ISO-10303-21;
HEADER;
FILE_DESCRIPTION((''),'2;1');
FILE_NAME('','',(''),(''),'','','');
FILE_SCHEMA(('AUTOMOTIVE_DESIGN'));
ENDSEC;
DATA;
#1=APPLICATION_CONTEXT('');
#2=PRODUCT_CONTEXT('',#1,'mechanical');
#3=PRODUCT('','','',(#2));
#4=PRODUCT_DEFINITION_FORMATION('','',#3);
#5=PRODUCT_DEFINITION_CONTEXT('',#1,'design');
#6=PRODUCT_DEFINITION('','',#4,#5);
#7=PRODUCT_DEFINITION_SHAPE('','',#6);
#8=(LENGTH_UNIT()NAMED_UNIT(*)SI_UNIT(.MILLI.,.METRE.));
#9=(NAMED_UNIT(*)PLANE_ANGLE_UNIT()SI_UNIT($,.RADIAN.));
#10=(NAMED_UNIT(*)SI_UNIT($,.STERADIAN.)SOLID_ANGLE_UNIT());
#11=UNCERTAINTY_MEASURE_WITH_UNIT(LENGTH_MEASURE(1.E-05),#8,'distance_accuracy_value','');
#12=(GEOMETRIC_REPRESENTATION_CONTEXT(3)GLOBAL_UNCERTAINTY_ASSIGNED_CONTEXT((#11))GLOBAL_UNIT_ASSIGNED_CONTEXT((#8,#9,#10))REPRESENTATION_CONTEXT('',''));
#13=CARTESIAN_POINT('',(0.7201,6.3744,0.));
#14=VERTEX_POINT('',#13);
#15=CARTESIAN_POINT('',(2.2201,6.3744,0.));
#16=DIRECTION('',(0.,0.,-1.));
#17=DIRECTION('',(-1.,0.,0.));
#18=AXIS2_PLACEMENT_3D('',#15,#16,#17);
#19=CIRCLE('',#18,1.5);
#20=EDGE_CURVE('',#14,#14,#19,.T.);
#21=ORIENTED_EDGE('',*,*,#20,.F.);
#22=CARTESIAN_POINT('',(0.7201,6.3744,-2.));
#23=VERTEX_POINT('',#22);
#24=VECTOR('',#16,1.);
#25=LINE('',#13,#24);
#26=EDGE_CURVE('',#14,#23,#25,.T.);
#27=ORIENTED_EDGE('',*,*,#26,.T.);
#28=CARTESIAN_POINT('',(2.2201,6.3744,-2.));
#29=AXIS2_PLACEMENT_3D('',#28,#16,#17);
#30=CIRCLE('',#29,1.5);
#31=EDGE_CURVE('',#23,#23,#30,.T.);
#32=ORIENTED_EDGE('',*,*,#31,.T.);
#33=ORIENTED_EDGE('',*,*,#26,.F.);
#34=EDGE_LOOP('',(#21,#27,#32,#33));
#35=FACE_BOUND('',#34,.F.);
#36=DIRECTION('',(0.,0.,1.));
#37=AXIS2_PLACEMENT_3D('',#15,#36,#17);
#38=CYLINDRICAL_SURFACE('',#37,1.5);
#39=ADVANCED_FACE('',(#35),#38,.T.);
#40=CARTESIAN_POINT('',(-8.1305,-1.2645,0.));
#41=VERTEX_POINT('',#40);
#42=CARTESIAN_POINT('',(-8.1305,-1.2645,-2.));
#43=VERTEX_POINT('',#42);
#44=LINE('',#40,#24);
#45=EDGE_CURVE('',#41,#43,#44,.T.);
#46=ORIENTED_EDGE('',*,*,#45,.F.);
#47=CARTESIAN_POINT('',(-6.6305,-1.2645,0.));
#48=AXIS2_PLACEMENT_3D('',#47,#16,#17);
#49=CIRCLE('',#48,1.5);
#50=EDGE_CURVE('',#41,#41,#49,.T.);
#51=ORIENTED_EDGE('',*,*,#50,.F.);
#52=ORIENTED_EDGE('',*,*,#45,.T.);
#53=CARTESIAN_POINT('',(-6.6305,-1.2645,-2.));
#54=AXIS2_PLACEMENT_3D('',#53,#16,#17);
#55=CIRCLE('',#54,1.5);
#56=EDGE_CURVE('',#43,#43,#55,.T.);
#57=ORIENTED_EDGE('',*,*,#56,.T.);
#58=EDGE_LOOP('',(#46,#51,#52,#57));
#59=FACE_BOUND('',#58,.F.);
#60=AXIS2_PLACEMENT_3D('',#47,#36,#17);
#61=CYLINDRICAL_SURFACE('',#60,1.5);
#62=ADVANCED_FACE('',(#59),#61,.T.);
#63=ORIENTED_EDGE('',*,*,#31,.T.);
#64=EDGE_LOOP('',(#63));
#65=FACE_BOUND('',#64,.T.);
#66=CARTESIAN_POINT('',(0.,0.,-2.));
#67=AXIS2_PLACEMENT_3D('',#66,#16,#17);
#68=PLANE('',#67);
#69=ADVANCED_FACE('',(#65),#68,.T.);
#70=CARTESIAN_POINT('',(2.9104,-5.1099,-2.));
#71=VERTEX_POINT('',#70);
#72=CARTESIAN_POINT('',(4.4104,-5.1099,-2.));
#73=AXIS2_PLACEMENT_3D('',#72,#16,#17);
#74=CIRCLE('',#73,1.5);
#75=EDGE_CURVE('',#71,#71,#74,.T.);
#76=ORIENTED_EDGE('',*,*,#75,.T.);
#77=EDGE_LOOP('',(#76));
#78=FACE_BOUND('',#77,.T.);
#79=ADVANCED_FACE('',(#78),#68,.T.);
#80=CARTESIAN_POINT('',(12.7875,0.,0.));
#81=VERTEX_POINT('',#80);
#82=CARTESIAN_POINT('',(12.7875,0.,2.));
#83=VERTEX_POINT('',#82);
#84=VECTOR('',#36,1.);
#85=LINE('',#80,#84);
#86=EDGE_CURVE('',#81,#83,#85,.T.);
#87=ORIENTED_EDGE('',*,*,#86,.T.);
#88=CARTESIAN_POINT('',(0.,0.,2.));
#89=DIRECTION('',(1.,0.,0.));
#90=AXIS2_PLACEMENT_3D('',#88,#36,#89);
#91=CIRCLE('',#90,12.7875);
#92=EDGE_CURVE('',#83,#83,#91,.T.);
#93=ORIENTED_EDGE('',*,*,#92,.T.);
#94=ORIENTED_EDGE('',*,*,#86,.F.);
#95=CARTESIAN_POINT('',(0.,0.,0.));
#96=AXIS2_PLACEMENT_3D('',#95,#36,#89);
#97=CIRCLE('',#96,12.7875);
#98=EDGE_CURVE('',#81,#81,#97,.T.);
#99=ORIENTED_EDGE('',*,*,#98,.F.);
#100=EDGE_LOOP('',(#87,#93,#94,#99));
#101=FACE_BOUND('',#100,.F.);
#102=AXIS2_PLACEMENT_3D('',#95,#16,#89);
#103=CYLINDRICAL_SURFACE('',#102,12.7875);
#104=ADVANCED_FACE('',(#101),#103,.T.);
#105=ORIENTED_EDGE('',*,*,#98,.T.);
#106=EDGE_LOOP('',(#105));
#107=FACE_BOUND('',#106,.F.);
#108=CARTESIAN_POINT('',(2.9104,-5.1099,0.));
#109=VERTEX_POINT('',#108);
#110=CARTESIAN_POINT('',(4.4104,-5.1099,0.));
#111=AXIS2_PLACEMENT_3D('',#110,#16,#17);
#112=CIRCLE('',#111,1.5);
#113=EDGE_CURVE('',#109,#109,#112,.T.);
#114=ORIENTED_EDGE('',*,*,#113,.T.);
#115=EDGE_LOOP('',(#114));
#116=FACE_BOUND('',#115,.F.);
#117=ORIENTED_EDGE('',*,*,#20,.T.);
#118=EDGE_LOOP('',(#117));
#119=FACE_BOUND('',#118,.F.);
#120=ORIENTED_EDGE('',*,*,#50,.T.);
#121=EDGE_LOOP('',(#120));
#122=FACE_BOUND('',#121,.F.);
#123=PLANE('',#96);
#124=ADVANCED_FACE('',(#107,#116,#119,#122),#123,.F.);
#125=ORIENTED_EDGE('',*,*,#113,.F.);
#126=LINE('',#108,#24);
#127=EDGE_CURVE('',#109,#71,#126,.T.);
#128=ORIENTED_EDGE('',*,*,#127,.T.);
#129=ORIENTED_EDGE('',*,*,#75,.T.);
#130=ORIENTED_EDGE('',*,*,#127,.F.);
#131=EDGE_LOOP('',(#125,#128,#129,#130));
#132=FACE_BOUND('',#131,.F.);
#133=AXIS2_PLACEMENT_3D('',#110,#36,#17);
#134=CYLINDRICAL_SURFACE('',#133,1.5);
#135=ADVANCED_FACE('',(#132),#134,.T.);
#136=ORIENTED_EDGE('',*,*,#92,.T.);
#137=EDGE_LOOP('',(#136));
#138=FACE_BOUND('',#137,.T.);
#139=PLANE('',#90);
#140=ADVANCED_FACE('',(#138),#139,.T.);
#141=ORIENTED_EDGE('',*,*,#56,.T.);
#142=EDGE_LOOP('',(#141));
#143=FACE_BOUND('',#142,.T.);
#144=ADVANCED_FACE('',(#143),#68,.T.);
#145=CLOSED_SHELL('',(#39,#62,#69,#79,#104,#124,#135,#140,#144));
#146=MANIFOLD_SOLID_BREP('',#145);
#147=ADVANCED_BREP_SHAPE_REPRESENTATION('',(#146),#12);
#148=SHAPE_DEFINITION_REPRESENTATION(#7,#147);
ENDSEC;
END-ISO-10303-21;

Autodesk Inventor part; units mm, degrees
ref_plane "YZ Plane" through (0, 0, 0) normal (1, 0, 0) x (0, 1, 0)
ref_plane "XZ Plane" through (0, 0, 0) normal (0, 1, 0) x (-1, 0, 0)
ref_plane "XY Plane" through (0, 0, 0) normal (0, 0, 1) x (1, 0, 0)
sketch "Skizze4" plane through (0, 0, 0) normal (0, 0, 1) x (1, 0, 0)
  circle A0 centre (0, 0) radius 12.7875 projected
  circle A1 centre (0, 0) radius 14.2875 projected
  circle A2 centre (0, 0) radius 12.7875
extrude "Extrusion3" add sketch "Skizze4" along normal blind 2 contours A0
sketch "Skizze5" plane through (0, 0, 0) normal (0, 0, -1) x (-1, 0, 0)
  circle A0 centre (-2.2201, 6.3744) radius 1.5 projected
  circle A1 centre (-4.4104, -5.1099) radius 1.5 projected
  circle A2 centre (6.6305, -1.2645) radius 1.5 projected
extrude "Extrusion4" add sketch "Skizze5" along normal blind 2
properties part number "PSteg"
